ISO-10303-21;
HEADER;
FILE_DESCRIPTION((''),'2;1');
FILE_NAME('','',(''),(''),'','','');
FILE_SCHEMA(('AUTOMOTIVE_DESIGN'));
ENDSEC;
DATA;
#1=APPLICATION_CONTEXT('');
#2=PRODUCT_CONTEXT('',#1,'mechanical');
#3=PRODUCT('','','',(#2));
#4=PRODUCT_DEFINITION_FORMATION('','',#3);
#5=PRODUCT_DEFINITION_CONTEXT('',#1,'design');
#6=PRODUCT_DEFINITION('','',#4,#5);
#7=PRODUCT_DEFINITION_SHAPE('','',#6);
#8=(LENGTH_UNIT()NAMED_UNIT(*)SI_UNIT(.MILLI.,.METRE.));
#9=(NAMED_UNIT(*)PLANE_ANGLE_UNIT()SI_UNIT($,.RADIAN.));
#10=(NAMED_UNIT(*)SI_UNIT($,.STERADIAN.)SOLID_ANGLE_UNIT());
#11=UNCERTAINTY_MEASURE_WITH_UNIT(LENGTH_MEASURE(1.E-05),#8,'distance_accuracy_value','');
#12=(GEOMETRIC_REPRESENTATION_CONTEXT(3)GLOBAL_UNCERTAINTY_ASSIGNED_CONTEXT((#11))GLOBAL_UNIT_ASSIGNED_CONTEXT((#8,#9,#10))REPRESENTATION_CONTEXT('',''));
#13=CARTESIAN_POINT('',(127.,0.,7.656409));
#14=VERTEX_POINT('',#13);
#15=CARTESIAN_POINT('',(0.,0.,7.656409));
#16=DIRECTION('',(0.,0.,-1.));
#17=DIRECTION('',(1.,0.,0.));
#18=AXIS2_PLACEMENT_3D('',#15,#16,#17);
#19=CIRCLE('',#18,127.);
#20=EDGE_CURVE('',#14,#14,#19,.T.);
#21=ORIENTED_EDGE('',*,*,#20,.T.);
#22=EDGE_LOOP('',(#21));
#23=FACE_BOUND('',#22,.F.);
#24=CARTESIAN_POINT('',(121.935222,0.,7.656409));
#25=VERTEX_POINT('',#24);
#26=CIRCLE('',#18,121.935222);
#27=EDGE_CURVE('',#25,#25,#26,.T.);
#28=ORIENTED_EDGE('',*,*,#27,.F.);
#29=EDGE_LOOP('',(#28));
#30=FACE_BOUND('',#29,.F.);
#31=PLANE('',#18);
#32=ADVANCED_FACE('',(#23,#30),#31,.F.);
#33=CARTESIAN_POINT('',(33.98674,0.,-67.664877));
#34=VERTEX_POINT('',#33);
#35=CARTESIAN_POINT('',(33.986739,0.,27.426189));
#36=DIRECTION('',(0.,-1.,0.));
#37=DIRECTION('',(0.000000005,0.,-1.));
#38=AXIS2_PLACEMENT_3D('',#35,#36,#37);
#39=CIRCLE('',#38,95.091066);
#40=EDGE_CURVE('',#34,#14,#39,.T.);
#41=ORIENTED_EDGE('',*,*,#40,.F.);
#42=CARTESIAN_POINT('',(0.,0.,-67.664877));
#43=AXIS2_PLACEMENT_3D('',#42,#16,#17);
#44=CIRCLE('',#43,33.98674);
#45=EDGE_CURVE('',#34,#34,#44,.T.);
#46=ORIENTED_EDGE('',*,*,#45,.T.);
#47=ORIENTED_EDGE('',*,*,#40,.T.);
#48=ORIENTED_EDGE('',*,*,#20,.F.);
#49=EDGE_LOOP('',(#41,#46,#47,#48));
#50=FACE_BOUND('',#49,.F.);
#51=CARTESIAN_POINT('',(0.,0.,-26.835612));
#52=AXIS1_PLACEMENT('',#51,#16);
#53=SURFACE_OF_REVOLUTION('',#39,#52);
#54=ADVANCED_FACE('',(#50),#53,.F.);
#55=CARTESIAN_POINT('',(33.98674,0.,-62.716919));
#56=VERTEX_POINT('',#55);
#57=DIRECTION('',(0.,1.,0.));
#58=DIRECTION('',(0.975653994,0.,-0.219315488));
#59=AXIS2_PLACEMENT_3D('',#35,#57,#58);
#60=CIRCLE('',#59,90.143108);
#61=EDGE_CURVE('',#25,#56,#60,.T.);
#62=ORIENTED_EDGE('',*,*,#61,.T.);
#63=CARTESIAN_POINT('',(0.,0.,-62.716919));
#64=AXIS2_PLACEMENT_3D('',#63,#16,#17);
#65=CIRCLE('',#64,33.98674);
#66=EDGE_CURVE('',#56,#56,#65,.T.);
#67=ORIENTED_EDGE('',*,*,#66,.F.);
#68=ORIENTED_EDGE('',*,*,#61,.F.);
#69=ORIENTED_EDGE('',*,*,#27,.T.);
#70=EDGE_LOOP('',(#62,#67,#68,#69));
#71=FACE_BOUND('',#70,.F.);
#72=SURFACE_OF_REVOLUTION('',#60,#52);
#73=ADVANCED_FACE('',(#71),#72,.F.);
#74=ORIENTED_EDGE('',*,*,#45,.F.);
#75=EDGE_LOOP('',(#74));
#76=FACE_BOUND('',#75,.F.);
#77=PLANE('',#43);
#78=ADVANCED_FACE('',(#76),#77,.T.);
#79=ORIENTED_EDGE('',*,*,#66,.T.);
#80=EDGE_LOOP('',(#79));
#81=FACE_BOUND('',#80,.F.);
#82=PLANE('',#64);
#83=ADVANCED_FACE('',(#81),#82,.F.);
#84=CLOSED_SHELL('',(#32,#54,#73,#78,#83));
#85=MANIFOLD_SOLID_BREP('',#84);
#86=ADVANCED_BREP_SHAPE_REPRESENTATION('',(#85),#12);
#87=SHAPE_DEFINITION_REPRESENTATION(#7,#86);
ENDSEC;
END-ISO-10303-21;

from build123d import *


with BuildPart() as f1:
    # F0 (on Front) → F1 (revolve)
    with BuildSketch(Plane.XZ):
        with BuildLine():
            Line((127, 7.656409), (121.935222, 7.656409))
            ThreePointArc((121.935222, 7.656409), (90.305788, -42.958075), (33.98674, -62.716919))
            Line((33.98674, -62.716919), (0, -62.716919))
            Line((0, -62.716919), (0, -67.664877))
            Line((0, -67.664877), (33.98674, -67.664877))
            ThreePointArc((33.98674, -67.664877), (93.82979, -46.473203), (127, 7.656409))
        make_face()
    revolve(axis=Axis((0, 0, -26.835612), (0, 0, -1)))


solid = f1.part
